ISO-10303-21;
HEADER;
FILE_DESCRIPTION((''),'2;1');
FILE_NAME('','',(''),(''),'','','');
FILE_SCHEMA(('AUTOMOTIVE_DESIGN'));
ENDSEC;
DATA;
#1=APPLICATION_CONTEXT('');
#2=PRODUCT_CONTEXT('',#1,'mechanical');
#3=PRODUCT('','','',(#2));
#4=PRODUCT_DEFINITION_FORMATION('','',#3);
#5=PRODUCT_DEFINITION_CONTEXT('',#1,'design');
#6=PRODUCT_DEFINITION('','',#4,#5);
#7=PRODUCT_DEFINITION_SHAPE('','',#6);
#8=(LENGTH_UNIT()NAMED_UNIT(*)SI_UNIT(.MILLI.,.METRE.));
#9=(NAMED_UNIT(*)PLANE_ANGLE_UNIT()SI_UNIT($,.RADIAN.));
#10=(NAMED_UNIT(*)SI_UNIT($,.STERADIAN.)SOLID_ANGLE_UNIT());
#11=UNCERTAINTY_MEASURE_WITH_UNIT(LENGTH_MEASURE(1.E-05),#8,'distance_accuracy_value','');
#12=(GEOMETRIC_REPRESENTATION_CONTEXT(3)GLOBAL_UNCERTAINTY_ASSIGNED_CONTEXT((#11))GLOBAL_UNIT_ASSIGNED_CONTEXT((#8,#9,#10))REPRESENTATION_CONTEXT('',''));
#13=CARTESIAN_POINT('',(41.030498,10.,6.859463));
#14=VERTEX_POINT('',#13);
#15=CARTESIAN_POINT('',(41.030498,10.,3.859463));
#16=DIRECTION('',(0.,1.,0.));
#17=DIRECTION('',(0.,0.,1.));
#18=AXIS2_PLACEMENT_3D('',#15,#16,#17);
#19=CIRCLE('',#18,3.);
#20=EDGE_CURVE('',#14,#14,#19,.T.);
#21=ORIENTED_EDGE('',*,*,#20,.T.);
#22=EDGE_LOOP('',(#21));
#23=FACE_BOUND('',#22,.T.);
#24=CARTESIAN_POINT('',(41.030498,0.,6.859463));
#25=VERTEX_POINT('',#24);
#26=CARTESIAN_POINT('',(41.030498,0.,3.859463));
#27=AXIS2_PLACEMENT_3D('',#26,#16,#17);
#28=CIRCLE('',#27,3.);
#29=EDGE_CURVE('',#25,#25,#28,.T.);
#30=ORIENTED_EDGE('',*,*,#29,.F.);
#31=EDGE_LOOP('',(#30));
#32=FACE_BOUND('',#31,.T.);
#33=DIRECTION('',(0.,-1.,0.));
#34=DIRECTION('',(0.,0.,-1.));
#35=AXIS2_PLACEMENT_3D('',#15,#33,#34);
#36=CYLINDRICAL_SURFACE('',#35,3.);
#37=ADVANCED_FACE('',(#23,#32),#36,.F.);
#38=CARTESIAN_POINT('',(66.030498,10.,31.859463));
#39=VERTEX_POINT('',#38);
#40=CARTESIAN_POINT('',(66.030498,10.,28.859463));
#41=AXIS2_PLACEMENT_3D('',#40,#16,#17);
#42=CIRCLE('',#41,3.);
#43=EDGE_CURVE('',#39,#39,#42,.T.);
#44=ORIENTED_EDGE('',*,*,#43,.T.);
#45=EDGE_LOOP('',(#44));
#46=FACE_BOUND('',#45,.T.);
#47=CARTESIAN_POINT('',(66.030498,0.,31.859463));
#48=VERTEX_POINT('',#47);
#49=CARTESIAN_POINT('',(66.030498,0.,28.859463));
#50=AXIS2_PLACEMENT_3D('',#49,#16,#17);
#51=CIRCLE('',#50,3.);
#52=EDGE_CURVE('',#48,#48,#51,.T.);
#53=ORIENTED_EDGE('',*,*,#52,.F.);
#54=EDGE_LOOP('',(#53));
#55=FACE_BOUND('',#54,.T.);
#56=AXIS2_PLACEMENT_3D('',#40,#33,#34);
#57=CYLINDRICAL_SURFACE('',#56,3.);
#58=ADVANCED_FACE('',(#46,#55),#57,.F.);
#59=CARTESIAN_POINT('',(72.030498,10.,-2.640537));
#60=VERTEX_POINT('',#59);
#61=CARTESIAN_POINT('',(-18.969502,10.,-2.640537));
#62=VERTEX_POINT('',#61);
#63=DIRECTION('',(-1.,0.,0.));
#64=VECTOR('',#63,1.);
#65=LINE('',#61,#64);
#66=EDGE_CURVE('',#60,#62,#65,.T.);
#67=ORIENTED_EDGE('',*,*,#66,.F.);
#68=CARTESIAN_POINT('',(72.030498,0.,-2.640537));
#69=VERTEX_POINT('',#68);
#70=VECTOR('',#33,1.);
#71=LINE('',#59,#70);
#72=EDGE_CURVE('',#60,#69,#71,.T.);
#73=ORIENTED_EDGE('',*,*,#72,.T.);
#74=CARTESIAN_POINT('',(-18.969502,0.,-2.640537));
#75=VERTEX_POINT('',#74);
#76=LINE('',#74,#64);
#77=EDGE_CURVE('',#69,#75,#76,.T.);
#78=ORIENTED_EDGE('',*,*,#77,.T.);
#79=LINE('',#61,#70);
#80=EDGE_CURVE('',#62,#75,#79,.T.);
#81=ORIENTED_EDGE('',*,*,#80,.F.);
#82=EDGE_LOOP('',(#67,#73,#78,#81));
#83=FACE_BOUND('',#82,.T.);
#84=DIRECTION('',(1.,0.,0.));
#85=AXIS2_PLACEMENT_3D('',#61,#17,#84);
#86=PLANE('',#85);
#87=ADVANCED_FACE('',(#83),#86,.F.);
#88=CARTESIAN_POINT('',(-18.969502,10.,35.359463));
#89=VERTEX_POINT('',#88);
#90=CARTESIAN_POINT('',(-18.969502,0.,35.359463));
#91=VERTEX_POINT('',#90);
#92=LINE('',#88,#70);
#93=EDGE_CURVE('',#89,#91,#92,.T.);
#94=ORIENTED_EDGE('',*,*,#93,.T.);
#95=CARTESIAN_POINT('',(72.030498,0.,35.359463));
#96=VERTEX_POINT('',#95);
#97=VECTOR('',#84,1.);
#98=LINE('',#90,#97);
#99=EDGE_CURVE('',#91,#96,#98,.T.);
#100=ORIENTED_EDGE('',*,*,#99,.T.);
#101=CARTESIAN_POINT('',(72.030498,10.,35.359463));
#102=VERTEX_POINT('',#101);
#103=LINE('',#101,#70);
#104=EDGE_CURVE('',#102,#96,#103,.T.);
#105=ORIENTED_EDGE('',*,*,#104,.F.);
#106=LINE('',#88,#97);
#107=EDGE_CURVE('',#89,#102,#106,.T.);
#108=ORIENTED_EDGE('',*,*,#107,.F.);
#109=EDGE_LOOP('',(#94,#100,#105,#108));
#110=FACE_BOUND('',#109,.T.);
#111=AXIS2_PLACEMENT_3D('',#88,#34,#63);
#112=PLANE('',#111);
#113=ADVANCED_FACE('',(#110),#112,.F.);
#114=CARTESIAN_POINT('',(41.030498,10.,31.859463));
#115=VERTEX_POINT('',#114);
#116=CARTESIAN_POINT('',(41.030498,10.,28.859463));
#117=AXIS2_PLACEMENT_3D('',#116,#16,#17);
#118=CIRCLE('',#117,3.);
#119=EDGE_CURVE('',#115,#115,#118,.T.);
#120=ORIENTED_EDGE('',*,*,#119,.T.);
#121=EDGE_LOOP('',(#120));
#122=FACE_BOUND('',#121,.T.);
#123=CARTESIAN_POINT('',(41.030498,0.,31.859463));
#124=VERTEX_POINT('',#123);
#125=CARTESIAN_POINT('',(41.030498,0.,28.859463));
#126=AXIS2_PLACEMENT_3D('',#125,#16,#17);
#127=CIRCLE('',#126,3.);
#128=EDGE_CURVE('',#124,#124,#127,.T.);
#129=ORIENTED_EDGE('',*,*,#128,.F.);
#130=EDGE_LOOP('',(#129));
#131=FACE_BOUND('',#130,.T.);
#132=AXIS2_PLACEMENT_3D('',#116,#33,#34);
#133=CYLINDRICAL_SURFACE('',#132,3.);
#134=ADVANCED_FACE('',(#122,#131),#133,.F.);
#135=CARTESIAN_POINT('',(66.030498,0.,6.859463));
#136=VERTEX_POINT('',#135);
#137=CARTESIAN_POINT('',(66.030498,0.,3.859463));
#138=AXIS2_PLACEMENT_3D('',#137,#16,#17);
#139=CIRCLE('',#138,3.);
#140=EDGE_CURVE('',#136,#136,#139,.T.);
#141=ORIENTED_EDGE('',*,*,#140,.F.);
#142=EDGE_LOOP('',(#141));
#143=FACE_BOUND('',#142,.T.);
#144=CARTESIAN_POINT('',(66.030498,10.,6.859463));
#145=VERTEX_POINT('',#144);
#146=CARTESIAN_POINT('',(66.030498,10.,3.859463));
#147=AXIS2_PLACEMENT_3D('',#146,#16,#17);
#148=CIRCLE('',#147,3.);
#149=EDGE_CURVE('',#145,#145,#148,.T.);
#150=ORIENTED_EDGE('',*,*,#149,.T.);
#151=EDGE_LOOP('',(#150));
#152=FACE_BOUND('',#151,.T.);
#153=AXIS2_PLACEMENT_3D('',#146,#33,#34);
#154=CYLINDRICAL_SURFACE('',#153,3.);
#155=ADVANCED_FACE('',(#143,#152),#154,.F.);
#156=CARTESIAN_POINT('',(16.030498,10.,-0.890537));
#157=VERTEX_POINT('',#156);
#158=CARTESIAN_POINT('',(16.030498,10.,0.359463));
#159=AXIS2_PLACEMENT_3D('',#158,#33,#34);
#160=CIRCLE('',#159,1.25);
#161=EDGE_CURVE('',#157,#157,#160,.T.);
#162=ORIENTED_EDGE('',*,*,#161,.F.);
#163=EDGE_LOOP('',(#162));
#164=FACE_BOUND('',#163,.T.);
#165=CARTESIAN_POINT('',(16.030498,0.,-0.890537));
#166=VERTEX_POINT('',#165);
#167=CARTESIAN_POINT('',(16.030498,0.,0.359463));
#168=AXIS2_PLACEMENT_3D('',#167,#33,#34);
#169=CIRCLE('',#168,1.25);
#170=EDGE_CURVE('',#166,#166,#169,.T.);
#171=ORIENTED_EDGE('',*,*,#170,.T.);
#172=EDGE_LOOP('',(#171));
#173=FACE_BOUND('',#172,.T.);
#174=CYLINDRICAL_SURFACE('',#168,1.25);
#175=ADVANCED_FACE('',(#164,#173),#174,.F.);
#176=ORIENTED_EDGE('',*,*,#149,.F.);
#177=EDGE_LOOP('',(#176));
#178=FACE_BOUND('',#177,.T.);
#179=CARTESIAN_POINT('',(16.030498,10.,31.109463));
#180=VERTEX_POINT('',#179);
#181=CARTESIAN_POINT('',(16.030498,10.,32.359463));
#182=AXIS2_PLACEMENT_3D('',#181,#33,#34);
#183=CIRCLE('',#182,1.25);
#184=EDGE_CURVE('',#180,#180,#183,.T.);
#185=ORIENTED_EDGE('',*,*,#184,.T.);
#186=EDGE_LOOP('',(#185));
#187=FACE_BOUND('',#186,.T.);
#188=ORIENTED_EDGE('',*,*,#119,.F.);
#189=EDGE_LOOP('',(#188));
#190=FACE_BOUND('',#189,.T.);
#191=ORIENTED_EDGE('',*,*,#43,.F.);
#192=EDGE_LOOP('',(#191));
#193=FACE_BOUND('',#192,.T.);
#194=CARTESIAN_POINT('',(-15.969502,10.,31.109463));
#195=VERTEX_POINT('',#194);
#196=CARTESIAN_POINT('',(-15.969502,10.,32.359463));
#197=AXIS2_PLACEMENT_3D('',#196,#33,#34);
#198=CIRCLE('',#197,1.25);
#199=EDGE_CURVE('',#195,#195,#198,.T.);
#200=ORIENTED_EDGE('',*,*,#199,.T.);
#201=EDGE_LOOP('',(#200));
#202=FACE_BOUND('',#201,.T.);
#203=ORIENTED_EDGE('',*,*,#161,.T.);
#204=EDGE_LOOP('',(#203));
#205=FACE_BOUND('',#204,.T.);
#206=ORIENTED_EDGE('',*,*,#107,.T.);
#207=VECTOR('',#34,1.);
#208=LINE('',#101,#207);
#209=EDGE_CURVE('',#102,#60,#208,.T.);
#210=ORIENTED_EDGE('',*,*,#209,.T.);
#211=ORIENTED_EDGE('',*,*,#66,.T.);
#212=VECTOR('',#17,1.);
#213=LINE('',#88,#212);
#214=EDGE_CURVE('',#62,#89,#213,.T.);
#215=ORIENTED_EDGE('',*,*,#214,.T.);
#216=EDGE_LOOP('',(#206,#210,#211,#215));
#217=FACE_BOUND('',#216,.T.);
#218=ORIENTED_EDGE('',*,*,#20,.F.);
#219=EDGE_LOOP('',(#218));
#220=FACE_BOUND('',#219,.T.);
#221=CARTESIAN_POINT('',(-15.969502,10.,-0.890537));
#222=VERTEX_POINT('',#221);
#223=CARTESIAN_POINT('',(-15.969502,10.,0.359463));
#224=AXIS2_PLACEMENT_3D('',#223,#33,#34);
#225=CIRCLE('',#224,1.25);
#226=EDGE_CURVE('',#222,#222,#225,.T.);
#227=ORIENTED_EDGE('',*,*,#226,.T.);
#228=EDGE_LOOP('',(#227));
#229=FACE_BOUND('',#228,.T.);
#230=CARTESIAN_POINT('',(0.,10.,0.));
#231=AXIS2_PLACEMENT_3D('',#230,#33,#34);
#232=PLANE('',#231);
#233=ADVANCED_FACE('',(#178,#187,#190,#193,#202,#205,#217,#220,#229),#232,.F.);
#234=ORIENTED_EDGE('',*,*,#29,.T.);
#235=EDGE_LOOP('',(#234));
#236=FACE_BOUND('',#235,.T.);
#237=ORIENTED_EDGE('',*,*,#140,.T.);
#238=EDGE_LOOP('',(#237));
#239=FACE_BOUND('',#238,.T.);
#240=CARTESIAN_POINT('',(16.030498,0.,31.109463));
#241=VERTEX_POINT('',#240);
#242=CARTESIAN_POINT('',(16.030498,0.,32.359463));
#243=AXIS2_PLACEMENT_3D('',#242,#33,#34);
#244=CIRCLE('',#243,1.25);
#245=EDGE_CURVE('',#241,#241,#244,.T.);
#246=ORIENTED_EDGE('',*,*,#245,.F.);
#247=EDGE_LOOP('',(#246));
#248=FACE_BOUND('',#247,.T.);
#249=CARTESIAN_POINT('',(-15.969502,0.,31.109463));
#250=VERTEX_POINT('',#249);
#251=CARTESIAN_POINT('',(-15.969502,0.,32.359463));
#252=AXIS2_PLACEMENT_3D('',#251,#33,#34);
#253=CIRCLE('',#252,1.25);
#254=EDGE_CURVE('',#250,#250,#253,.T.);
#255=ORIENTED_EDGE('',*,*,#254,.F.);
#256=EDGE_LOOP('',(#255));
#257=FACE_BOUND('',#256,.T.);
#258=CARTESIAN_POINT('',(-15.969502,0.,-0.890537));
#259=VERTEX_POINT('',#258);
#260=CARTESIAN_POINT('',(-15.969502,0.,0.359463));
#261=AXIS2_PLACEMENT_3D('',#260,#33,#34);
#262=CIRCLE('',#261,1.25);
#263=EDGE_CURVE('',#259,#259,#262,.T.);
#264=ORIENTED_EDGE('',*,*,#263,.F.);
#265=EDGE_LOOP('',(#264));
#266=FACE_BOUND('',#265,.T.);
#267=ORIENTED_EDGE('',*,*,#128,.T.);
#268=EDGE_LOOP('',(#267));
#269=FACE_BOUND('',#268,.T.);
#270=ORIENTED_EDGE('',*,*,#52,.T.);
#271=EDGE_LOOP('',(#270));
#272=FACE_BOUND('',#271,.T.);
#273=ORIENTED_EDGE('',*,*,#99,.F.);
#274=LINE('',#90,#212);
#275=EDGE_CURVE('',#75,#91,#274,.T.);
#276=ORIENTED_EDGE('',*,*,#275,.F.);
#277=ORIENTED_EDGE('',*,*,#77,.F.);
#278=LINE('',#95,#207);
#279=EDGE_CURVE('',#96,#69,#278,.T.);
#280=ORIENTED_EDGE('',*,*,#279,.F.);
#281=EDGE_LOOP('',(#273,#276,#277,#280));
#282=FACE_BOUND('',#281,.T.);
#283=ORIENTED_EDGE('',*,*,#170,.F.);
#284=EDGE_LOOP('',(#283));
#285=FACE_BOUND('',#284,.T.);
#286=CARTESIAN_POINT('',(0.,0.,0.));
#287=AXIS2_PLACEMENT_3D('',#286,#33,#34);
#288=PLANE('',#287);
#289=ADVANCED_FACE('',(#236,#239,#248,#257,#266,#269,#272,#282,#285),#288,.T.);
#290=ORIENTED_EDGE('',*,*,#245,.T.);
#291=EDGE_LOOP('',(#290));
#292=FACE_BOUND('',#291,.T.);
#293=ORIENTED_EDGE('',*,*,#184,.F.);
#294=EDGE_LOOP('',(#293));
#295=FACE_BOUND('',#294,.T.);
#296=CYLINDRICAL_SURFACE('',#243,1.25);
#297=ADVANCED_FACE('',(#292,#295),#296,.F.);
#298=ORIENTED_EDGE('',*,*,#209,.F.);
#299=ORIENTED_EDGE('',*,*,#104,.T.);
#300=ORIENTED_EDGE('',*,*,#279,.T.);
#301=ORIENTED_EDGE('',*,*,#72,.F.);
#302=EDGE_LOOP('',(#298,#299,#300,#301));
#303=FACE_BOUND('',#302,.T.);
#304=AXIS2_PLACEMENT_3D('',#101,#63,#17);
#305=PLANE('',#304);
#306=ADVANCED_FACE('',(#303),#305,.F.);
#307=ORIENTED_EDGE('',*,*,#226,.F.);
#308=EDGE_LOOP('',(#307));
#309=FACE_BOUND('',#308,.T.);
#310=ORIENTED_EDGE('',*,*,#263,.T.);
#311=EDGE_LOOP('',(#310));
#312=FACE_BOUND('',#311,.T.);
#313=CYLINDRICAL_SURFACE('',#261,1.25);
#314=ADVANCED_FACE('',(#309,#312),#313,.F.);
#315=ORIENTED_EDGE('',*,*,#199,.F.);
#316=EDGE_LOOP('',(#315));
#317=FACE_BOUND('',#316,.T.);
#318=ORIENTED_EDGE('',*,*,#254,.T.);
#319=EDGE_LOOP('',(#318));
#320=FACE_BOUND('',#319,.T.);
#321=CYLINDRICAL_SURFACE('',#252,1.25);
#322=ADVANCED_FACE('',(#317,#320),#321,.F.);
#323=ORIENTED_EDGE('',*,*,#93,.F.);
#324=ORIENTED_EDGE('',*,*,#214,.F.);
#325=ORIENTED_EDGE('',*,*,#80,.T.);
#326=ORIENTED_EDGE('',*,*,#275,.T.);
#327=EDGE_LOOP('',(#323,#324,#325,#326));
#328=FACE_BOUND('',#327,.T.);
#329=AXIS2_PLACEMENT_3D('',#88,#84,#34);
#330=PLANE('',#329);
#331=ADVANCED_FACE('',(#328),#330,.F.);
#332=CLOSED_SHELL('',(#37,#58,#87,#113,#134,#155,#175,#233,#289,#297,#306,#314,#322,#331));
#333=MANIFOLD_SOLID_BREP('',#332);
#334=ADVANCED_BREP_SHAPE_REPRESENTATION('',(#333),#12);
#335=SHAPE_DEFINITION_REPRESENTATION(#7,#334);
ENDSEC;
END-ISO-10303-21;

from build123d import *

# Parameters (mm, degrees)
SKETCH1_W             = 91
SKETCH1_H             = 38
SKETCH1_R             = 3
BOSS_EXTRUDE1_DEPTH   = 10
M3X0_5_TAPPED_HOLE1_D = 2.5


with BuildPart() as part:
    # Sketch1 → Boss-Extrude1 (new body)
    with BuildSketch(Plane(origin=(0, 0, 0), x_dir=(1, 0, 0), z_dir=(0, 1, 0))):
        with Locations((26.530497816, -16.359463259)):
            Rectangle(SKETCH1_W, SKETCH1_H)
        with Locations(Location((41.030497816, -28.859463259, 0), (0, 0, 270))):
            Circle(SKETCH1_R, mode=Mode.SUBTRACT)
        with Locations(Location((66.030497816, -28.859463259, 0), (0, 0, 270))):
            Circle(SKETCH1_R, mode=Mode.SUBTRACT)
        with Locations(Location((41.030497816, -3.859463259, 0), (0, 0, 270))):
            Circle(SKETCH1_R, mode=Mode.SUBTRACT)
        with Locations(Location((66.030497816, -3.859463259, 0), (0, 0, 270))):
            Circle(SKETCH1_R, mode=Mode.SUBTRACT)
    extrude(amount=BOSS_EXTRUDE1_DEPTH)

    # M3x0.5 Tapped Hole1 (through all)
    with Locations(Plane(origin=(0, 0, 0), x_dir=(-1, 0, 0), z_dir=(0, -1, 0))):
        with Locations((-16.030497816, -0.359463259), (15.969502184, -32.359463259), (-16.030497816, -32.359463259), (15.969502184, -0.359463259)):
            Hole(M3X0_5_TAPPED_HOLE1_D / 2)


solid = part.part
